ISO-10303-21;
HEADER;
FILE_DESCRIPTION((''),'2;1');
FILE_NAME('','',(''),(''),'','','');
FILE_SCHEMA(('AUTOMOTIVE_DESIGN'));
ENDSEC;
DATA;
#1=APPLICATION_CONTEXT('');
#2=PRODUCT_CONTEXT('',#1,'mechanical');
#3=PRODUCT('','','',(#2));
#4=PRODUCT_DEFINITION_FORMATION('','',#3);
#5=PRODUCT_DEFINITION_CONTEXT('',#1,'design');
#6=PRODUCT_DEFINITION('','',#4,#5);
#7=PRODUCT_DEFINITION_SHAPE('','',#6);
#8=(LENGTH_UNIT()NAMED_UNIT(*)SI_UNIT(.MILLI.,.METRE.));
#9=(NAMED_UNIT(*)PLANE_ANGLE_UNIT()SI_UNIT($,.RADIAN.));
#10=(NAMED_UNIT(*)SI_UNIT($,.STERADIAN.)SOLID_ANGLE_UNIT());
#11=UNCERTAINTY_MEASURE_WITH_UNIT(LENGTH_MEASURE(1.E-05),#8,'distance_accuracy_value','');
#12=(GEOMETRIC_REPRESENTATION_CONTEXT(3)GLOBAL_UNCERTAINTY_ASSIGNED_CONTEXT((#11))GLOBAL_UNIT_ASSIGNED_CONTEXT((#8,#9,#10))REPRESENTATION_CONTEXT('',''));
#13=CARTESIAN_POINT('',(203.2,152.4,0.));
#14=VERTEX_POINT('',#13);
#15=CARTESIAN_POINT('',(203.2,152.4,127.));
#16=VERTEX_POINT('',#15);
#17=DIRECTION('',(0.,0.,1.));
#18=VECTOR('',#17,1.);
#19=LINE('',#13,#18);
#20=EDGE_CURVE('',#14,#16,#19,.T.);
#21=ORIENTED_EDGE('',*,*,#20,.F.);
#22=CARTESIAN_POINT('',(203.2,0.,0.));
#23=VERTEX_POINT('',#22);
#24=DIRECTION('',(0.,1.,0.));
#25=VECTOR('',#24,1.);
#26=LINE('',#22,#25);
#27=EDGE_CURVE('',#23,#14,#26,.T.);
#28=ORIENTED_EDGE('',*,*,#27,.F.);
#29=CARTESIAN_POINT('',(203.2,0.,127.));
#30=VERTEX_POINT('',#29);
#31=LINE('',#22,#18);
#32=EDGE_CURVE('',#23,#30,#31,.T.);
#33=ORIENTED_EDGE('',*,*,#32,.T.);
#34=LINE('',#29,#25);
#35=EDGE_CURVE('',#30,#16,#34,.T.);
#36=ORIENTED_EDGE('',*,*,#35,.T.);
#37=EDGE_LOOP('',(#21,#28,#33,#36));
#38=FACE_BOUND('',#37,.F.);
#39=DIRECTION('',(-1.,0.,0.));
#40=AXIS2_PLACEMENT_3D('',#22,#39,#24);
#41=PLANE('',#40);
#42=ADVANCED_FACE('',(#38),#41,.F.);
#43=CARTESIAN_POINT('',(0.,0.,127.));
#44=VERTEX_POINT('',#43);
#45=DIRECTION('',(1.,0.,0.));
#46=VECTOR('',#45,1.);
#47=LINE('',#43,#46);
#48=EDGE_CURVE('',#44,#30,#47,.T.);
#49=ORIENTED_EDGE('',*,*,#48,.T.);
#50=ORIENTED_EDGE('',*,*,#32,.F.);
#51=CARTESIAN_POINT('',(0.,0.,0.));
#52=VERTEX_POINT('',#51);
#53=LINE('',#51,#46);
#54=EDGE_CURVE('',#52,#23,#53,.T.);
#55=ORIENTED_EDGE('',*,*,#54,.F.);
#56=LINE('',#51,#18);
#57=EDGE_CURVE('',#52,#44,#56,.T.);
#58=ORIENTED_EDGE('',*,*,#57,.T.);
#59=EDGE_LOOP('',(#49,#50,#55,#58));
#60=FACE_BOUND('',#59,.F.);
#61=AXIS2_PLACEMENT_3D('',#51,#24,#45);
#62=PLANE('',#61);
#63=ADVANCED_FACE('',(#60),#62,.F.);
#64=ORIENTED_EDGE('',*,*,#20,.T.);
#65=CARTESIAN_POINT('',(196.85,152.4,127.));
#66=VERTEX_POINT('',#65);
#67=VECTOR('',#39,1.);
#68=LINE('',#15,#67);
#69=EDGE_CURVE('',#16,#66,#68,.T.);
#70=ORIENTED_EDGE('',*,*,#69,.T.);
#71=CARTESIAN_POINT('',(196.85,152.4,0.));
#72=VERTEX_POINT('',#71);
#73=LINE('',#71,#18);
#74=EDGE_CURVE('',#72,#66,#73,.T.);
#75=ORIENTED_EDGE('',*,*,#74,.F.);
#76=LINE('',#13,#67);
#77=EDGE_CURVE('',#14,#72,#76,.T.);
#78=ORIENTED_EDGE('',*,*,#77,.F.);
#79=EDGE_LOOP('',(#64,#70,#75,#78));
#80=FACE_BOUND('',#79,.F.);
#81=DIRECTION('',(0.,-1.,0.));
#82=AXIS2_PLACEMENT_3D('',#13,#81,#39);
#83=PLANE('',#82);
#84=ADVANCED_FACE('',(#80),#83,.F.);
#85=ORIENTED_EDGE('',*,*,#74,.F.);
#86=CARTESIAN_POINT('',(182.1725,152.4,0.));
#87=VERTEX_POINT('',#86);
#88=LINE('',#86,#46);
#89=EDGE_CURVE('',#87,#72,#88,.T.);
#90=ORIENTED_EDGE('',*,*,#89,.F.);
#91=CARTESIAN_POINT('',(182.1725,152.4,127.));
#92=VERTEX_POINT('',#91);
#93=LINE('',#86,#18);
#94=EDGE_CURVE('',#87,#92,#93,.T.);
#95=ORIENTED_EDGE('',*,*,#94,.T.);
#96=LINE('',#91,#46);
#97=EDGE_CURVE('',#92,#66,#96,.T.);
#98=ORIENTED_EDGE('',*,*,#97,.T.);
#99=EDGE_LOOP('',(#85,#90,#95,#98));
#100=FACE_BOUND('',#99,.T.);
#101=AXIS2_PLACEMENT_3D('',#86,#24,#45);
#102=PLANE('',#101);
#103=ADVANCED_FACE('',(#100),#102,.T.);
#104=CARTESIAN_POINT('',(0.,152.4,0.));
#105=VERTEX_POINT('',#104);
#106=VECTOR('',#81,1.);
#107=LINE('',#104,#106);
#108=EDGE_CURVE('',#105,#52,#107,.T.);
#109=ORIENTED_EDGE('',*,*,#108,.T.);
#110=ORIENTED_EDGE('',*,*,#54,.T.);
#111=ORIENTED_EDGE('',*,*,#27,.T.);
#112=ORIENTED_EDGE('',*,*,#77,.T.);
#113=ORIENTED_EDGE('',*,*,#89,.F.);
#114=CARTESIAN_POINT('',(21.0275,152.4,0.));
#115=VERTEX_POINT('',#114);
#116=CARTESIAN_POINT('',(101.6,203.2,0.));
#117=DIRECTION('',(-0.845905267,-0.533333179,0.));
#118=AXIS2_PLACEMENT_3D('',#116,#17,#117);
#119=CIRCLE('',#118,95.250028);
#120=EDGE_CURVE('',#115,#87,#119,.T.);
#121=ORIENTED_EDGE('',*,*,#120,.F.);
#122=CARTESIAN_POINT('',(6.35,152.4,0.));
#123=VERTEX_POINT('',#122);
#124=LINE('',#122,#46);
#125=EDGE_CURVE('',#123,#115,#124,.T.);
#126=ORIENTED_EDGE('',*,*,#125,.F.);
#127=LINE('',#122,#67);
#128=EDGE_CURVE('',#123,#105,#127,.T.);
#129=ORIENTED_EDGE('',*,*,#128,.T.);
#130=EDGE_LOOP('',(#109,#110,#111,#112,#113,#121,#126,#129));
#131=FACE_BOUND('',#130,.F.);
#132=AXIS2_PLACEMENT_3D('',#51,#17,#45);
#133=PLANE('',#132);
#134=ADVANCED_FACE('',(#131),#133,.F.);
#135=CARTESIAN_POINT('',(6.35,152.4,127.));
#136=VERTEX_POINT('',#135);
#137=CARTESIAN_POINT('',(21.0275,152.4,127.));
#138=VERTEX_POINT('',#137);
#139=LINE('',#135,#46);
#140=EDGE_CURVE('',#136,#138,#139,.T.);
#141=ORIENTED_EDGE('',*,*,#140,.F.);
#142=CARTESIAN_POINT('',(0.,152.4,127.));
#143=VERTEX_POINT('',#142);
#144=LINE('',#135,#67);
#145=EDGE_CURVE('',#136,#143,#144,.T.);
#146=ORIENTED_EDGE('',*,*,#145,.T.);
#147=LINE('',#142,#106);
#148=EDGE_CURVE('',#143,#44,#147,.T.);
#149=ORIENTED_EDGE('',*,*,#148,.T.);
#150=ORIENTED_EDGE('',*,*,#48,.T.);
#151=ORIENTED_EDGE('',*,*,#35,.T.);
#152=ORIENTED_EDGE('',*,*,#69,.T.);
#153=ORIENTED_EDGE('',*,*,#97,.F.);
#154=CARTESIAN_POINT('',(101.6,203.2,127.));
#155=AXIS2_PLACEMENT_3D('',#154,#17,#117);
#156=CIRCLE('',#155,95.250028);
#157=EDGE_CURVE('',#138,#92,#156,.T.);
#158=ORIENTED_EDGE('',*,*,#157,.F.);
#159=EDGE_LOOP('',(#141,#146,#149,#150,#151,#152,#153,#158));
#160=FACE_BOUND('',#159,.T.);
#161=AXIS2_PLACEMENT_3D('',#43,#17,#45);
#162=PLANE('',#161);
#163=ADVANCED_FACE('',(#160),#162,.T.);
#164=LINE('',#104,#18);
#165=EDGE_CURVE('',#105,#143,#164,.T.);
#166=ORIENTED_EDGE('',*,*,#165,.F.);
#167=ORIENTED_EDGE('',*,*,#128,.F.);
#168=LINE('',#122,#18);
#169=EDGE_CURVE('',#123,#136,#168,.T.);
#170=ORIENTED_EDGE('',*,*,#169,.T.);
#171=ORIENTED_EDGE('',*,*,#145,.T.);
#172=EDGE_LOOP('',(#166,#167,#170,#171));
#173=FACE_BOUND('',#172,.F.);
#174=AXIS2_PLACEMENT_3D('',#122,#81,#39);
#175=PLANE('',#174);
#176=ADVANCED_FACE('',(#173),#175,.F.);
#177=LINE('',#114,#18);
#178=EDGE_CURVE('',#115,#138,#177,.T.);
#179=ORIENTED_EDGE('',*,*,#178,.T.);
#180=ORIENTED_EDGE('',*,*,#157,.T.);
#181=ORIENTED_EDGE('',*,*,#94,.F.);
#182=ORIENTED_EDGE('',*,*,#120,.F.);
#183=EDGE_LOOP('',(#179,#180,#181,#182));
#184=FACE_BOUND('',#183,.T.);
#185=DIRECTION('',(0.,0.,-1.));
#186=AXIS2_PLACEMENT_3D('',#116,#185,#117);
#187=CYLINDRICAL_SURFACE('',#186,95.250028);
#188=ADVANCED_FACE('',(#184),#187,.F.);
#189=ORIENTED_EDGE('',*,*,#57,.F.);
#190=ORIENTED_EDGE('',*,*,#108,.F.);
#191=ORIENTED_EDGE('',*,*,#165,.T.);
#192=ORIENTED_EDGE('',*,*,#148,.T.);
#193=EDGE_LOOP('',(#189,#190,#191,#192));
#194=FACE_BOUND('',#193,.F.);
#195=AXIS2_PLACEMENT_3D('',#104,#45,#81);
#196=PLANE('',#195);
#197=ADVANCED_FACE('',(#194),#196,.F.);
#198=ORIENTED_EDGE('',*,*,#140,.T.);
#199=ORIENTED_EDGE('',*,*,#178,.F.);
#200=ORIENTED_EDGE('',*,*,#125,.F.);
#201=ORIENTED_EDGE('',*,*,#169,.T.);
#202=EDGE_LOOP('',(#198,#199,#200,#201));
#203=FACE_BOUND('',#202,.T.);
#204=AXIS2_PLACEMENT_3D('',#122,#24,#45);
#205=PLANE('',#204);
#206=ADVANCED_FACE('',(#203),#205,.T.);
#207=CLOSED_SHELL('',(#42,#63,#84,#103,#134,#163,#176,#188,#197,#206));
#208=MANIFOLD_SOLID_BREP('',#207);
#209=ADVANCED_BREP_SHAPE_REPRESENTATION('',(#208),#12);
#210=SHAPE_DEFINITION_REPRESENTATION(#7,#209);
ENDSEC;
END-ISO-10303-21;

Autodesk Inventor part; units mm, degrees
ref_plane "YZ Plane" through (0, 0, 0) normal (1, 0, 0) x (0, 1, 0)
ref_plane "XZ Plane" through (0, 0, 0) normal (0, 1, 0) x (-1, 0, 0)
ref_plane "XY Plane" through (0, 0, 0) normal (0, 0, 1) x (1, 0, 0)
sketch "Sketch1" plane through (0, 0, 0) normal (0, 0, 1) x (1, 0, 0)
  line L0 (0, 0) -> (203.2, 0)
  line L1 (203.2, 0) -> (203.2, 152.4)
  line L2 (0, 152.4) -> (0, 0)
  line L3 (203.2, 152.4) -> (196.85, 152.4)
  line L4 (6.35, 152.4) -> (0, 152.4)
  line L5 (101.6, 152.4) -> (101.6, 203.2)
  arc A0 (21.0275, 152.4) -> (182.1725, 152.4) centre (101.6, 203.2) ccw
  line L6 (6.35, 152.4) -> (21.0275, 152.4)
  line L7 (182.1725, 152.4) -> (196.85, 152.4)
  dimension "d0" = 203.2
  dimension "d1" = 152.4
  dimension "d5" = 50.8
  dimension "d6" = 190.5
extrude "Extrusion1" add sketch "Sketch1" along normal blind 127
properties part number "tankMount"
